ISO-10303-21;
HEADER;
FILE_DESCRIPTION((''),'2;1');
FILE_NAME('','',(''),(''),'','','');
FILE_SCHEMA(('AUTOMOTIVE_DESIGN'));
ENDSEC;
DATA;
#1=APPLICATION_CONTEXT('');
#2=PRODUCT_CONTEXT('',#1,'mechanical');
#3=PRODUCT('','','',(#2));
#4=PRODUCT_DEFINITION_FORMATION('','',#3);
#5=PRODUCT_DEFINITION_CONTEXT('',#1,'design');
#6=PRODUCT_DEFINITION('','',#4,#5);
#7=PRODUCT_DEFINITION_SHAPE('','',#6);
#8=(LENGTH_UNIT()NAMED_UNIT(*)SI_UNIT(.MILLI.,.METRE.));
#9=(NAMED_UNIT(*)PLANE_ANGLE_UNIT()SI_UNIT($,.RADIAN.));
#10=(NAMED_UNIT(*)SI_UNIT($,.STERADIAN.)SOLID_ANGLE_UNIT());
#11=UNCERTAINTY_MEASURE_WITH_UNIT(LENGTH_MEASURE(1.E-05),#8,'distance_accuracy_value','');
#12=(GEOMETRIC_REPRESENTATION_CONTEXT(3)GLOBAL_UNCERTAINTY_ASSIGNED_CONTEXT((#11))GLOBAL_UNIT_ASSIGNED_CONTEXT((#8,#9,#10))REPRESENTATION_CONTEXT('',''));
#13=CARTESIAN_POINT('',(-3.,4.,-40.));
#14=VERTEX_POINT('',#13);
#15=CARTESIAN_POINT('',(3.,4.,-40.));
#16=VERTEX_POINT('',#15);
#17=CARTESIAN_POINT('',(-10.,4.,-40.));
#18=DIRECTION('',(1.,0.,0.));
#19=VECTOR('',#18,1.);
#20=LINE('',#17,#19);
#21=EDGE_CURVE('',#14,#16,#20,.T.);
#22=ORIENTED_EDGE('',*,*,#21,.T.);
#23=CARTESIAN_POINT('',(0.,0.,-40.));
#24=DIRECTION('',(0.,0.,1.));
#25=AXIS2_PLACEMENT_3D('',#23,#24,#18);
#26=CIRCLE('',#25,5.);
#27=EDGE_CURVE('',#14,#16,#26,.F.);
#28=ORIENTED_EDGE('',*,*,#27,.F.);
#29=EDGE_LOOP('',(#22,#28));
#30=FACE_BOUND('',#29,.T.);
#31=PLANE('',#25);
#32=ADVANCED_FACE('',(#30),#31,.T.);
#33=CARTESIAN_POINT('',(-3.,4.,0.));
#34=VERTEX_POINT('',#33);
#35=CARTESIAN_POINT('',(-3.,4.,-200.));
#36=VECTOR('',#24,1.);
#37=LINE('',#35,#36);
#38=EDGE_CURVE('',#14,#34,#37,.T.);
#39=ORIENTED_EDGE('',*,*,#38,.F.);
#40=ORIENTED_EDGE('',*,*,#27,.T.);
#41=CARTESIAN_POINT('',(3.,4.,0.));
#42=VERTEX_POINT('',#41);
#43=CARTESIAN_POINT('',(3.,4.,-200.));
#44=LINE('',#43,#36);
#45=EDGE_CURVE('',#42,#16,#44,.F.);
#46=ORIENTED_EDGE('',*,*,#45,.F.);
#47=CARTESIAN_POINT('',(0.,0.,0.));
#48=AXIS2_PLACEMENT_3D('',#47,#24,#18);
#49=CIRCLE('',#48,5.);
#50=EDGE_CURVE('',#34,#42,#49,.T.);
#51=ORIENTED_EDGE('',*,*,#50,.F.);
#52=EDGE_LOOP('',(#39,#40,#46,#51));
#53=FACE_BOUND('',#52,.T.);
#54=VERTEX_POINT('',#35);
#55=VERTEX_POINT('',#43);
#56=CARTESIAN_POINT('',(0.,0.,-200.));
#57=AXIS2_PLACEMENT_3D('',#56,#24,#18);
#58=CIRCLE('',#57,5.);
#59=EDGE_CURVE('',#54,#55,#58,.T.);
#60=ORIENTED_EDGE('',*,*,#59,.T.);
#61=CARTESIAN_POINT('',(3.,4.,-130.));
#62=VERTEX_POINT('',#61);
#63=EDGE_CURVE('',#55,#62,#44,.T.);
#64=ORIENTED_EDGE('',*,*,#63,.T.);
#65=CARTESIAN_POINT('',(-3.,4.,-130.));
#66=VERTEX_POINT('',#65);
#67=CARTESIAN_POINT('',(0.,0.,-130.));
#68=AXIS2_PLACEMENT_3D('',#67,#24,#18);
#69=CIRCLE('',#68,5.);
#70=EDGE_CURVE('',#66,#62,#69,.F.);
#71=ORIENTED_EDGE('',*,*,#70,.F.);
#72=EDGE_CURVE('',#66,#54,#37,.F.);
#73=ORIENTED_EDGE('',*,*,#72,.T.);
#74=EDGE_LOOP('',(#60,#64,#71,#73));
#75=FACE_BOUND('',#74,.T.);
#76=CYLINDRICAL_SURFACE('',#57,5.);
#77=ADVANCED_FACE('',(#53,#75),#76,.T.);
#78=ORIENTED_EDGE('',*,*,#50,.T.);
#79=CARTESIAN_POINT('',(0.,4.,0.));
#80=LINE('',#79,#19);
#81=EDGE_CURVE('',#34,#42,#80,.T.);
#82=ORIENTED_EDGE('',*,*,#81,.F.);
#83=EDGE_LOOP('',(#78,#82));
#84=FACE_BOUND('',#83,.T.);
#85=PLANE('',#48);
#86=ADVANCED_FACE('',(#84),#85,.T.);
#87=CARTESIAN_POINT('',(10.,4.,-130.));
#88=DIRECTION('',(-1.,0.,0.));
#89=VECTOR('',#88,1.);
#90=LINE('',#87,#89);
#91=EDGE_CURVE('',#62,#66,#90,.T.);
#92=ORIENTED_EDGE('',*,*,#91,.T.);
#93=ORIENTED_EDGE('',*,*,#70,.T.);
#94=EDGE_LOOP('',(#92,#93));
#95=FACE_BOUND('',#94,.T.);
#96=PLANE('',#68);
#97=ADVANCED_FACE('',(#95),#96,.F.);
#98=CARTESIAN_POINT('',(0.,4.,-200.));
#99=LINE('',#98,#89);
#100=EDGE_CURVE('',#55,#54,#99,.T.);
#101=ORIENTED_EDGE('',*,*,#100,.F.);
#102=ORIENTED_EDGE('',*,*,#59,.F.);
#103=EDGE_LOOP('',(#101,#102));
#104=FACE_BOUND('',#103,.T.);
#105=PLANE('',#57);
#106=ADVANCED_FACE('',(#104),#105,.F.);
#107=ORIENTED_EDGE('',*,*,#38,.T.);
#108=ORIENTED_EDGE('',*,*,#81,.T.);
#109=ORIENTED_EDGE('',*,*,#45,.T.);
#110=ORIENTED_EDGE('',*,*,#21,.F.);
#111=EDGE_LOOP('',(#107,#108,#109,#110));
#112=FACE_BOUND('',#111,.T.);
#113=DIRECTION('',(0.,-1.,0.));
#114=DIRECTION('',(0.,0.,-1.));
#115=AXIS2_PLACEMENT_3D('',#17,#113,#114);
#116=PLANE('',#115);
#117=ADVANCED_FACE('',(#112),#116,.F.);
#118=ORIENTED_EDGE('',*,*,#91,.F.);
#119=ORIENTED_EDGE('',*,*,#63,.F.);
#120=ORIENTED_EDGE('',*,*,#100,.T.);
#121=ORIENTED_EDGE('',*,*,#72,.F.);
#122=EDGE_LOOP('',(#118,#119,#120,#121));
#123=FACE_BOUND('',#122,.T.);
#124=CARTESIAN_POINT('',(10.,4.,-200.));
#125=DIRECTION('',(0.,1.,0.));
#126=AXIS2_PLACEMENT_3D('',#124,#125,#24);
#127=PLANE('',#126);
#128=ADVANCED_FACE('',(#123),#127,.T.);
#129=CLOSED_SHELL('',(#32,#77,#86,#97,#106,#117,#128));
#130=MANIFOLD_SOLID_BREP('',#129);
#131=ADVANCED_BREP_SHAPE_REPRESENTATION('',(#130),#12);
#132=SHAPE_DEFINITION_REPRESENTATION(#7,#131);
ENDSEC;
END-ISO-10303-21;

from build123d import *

# Parameters (mm, degrees)
SKETCH1_R           = 5
SKETCH1_R_2         = 2.5
BOSS_EXTRUDE1_DEPTH = 200
SKETCH2_W           = 20
SKETCH2_H           = 2
CUT_EXTRUDE1_DEPTH  = 40
CUT_EXTRUDE2_START  = -70
SKETCH4_W           = 20
SKETCH4_H           = 2
CUT_EXTRUDE2_DEPTH  = 271.124960962


with BuildPart() as part:
    # Sketch1 → Boss-Extrude1 (new body)
    # profile 1 of 2: a face of its own
    with BuildSketch(Plane.XY):
        Circle(SKETCH1_R)
        Circle(SKETCH1_R_2, mode=Mode.SUBTRACT)
    # profile 2 of 2: a face of its own
    with BuildSketch(Plane.XY):
        Circle(SKETCH1_R_2)
    extrude(amount=-BOSS_EXTRUDE1_DEPTH)

    # Sketch2 → Cut-Extrude1 (cut)
    with BuildSketch(Plane.XY):
        with Locations((0, 5)):
            Rectangle(SKETCH2_W, SKETCH2_H)
    extrude(amount=-CUT_EXTRUDE1_DEPTH, mode=Mode.SUBTRACT)

    # Sketch4 → Cut-Extrude2 (cut, through all)
    with BuildSketch(Plane(origin=(0, 0, -200), x_dir=(-1, 0, 0), z_dir=(0, 0, -1)).offset(CUT_EXTRUDE2_START)):
        with Locations((0, 5)):
            Rectangle(SKETCH4_W, SKETCH4_H)
    extrude(amount=CUT_EXTRUDE2_DEPTH, mode=Mode.SUBTRACT)


solid = part.part
